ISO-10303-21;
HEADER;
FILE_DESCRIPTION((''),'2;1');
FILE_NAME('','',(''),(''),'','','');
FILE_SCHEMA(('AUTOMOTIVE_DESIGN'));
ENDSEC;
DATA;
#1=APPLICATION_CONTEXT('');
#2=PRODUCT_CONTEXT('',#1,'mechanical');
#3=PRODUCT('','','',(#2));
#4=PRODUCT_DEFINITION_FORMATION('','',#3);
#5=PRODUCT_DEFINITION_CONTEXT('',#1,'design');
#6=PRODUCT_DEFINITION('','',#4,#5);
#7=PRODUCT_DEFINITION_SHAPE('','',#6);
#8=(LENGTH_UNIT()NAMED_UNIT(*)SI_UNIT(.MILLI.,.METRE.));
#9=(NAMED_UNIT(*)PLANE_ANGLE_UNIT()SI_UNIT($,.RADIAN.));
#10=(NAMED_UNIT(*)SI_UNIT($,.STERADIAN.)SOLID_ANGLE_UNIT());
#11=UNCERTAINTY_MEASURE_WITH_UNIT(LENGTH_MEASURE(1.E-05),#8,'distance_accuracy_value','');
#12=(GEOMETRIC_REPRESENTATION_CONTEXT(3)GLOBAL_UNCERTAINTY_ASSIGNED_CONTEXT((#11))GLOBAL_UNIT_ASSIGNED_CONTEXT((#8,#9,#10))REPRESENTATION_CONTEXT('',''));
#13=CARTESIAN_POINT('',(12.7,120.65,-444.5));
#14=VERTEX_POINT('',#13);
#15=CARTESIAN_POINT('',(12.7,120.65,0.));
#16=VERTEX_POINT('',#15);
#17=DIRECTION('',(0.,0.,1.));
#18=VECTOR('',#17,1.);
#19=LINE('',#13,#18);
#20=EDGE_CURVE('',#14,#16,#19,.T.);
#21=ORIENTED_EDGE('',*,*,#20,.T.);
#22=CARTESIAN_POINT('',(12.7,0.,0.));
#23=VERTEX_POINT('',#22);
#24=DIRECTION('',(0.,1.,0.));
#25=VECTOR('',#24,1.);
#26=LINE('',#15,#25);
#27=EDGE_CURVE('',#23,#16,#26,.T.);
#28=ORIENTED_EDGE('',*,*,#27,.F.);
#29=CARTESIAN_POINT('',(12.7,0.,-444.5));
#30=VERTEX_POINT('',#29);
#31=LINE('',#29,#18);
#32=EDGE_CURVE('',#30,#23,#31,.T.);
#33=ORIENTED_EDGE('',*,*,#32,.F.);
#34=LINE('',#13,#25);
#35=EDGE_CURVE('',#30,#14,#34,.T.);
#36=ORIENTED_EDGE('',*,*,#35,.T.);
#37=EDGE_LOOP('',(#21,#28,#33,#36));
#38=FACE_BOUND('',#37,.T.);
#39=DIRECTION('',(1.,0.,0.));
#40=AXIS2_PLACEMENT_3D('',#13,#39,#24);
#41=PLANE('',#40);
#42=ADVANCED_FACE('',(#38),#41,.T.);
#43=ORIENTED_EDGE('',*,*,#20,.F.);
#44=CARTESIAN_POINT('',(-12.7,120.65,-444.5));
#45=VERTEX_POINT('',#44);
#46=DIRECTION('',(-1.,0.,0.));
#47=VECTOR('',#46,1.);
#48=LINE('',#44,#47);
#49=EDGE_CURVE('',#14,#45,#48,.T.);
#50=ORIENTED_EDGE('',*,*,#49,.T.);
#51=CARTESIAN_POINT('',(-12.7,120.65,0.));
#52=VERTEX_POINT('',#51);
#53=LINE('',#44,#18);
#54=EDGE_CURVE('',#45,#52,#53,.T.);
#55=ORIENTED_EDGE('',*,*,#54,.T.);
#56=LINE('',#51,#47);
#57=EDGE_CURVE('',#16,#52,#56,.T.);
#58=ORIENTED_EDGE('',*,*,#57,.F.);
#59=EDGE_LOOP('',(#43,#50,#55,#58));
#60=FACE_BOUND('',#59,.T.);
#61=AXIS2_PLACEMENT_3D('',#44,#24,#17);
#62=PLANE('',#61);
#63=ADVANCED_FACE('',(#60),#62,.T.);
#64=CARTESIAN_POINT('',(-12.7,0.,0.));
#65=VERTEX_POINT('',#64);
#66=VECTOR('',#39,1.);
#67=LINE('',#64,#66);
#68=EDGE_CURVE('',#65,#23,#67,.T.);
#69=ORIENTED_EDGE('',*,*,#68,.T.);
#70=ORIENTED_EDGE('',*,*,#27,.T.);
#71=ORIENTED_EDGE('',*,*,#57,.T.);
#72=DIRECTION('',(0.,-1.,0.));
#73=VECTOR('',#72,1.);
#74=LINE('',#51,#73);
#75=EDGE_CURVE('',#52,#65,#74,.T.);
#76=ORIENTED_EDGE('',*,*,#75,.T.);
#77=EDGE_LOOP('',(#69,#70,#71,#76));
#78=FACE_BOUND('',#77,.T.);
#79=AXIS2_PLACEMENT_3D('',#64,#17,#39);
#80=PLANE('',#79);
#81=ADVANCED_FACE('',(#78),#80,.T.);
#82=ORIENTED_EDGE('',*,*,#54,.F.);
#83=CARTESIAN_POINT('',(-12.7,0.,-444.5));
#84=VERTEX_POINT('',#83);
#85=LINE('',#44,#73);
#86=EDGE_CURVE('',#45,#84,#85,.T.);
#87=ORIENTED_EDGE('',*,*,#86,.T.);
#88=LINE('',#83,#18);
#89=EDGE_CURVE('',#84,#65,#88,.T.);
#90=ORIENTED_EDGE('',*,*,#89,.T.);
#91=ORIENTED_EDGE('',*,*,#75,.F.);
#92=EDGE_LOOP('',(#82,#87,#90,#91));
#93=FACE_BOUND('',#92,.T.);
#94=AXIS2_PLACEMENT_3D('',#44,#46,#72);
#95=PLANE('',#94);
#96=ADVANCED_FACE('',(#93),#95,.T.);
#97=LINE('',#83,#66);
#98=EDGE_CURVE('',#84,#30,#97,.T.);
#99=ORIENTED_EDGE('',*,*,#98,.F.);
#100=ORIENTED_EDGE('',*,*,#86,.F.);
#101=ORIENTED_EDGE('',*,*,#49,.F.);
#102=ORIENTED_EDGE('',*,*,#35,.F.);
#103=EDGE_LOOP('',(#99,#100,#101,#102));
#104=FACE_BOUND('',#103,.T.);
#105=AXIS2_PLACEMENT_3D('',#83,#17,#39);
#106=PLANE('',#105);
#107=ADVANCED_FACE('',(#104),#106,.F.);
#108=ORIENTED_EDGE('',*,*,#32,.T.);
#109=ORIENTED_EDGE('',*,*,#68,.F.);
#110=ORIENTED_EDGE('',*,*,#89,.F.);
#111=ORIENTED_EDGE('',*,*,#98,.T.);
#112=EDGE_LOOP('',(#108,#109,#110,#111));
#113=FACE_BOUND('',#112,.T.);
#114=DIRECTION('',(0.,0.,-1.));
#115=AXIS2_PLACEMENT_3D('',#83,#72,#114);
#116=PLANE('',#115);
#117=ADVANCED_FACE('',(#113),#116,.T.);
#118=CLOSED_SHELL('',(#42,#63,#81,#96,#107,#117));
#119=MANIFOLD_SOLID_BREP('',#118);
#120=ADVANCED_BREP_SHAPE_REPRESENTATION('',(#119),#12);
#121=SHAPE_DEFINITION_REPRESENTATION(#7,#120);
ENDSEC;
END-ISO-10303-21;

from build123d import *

# Parameters (mm, degrees)
SKETCH1_W      = 25.4
SKETCH1_H      = 120.65
EXTRUDE1_DEPTH = 444.5


with BuildPart() as part:
    # Sketch1 → Extrude1 (new body)
    with BuildSketch(Plane.XY):
        with Locations((0, 60.325)):
            Rectangle(SKETCH1_W, SKETCH1_H)
    extrude(amount=-EXTRUDE1_DEPTH)


solid = part.part
